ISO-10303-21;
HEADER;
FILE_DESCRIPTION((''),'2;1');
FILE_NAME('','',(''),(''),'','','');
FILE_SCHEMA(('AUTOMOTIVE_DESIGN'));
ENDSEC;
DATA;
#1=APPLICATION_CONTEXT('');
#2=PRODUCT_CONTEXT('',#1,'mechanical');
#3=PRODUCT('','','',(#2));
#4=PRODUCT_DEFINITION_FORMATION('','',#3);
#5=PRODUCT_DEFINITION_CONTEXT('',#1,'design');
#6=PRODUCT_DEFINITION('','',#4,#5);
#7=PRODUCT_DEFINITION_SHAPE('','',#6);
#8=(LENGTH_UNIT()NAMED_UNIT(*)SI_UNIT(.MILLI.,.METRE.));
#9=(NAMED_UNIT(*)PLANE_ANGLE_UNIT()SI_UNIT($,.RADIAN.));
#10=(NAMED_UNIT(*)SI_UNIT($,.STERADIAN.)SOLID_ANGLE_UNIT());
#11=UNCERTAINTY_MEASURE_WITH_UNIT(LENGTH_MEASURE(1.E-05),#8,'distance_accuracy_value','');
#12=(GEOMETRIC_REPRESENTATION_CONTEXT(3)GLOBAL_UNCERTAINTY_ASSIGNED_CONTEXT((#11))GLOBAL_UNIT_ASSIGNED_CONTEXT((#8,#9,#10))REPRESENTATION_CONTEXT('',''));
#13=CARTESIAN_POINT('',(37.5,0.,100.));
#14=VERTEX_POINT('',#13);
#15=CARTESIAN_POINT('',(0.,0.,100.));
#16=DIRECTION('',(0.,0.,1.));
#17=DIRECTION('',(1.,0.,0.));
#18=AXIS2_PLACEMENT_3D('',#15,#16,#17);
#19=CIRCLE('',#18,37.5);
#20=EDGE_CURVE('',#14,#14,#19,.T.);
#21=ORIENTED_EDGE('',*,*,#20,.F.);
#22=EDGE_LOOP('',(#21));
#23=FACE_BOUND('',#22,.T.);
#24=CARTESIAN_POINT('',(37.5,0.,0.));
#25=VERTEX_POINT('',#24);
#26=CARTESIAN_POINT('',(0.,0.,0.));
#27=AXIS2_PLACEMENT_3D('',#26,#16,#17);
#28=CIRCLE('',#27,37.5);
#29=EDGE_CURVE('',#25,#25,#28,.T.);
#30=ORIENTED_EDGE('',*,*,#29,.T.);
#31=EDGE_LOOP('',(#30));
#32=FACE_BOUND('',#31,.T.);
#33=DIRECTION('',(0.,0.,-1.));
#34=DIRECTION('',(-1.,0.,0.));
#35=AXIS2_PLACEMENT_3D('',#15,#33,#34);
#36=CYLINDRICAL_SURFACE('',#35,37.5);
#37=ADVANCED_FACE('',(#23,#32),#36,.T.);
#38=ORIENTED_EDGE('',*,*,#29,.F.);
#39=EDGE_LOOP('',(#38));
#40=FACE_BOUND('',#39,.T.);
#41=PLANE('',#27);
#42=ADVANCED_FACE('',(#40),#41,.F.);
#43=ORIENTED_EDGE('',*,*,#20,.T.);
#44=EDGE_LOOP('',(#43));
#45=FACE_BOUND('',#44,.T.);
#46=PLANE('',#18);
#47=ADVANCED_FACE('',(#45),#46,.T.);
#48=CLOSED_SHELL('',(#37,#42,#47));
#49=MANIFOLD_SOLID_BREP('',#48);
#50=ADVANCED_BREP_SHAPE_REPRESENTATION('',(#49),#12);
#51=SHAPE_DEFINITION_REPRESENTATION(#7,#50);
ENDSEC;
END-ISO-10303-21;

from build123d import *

# Parameters (mm, degrees)
ESQUISSE1_R        = 37.5
BOSS_EXTRU_1_DEPTH = 100


with BuildPart() as part:
    # Esquisse1 → Boss.-Extru.1 (new body)
    with BuildSketch(Plane.XY):
        Circle(ESQUISSE1_R)
    extrude(amount=BOSS_EXTRU_1_DEPTH)


solid = part.part
